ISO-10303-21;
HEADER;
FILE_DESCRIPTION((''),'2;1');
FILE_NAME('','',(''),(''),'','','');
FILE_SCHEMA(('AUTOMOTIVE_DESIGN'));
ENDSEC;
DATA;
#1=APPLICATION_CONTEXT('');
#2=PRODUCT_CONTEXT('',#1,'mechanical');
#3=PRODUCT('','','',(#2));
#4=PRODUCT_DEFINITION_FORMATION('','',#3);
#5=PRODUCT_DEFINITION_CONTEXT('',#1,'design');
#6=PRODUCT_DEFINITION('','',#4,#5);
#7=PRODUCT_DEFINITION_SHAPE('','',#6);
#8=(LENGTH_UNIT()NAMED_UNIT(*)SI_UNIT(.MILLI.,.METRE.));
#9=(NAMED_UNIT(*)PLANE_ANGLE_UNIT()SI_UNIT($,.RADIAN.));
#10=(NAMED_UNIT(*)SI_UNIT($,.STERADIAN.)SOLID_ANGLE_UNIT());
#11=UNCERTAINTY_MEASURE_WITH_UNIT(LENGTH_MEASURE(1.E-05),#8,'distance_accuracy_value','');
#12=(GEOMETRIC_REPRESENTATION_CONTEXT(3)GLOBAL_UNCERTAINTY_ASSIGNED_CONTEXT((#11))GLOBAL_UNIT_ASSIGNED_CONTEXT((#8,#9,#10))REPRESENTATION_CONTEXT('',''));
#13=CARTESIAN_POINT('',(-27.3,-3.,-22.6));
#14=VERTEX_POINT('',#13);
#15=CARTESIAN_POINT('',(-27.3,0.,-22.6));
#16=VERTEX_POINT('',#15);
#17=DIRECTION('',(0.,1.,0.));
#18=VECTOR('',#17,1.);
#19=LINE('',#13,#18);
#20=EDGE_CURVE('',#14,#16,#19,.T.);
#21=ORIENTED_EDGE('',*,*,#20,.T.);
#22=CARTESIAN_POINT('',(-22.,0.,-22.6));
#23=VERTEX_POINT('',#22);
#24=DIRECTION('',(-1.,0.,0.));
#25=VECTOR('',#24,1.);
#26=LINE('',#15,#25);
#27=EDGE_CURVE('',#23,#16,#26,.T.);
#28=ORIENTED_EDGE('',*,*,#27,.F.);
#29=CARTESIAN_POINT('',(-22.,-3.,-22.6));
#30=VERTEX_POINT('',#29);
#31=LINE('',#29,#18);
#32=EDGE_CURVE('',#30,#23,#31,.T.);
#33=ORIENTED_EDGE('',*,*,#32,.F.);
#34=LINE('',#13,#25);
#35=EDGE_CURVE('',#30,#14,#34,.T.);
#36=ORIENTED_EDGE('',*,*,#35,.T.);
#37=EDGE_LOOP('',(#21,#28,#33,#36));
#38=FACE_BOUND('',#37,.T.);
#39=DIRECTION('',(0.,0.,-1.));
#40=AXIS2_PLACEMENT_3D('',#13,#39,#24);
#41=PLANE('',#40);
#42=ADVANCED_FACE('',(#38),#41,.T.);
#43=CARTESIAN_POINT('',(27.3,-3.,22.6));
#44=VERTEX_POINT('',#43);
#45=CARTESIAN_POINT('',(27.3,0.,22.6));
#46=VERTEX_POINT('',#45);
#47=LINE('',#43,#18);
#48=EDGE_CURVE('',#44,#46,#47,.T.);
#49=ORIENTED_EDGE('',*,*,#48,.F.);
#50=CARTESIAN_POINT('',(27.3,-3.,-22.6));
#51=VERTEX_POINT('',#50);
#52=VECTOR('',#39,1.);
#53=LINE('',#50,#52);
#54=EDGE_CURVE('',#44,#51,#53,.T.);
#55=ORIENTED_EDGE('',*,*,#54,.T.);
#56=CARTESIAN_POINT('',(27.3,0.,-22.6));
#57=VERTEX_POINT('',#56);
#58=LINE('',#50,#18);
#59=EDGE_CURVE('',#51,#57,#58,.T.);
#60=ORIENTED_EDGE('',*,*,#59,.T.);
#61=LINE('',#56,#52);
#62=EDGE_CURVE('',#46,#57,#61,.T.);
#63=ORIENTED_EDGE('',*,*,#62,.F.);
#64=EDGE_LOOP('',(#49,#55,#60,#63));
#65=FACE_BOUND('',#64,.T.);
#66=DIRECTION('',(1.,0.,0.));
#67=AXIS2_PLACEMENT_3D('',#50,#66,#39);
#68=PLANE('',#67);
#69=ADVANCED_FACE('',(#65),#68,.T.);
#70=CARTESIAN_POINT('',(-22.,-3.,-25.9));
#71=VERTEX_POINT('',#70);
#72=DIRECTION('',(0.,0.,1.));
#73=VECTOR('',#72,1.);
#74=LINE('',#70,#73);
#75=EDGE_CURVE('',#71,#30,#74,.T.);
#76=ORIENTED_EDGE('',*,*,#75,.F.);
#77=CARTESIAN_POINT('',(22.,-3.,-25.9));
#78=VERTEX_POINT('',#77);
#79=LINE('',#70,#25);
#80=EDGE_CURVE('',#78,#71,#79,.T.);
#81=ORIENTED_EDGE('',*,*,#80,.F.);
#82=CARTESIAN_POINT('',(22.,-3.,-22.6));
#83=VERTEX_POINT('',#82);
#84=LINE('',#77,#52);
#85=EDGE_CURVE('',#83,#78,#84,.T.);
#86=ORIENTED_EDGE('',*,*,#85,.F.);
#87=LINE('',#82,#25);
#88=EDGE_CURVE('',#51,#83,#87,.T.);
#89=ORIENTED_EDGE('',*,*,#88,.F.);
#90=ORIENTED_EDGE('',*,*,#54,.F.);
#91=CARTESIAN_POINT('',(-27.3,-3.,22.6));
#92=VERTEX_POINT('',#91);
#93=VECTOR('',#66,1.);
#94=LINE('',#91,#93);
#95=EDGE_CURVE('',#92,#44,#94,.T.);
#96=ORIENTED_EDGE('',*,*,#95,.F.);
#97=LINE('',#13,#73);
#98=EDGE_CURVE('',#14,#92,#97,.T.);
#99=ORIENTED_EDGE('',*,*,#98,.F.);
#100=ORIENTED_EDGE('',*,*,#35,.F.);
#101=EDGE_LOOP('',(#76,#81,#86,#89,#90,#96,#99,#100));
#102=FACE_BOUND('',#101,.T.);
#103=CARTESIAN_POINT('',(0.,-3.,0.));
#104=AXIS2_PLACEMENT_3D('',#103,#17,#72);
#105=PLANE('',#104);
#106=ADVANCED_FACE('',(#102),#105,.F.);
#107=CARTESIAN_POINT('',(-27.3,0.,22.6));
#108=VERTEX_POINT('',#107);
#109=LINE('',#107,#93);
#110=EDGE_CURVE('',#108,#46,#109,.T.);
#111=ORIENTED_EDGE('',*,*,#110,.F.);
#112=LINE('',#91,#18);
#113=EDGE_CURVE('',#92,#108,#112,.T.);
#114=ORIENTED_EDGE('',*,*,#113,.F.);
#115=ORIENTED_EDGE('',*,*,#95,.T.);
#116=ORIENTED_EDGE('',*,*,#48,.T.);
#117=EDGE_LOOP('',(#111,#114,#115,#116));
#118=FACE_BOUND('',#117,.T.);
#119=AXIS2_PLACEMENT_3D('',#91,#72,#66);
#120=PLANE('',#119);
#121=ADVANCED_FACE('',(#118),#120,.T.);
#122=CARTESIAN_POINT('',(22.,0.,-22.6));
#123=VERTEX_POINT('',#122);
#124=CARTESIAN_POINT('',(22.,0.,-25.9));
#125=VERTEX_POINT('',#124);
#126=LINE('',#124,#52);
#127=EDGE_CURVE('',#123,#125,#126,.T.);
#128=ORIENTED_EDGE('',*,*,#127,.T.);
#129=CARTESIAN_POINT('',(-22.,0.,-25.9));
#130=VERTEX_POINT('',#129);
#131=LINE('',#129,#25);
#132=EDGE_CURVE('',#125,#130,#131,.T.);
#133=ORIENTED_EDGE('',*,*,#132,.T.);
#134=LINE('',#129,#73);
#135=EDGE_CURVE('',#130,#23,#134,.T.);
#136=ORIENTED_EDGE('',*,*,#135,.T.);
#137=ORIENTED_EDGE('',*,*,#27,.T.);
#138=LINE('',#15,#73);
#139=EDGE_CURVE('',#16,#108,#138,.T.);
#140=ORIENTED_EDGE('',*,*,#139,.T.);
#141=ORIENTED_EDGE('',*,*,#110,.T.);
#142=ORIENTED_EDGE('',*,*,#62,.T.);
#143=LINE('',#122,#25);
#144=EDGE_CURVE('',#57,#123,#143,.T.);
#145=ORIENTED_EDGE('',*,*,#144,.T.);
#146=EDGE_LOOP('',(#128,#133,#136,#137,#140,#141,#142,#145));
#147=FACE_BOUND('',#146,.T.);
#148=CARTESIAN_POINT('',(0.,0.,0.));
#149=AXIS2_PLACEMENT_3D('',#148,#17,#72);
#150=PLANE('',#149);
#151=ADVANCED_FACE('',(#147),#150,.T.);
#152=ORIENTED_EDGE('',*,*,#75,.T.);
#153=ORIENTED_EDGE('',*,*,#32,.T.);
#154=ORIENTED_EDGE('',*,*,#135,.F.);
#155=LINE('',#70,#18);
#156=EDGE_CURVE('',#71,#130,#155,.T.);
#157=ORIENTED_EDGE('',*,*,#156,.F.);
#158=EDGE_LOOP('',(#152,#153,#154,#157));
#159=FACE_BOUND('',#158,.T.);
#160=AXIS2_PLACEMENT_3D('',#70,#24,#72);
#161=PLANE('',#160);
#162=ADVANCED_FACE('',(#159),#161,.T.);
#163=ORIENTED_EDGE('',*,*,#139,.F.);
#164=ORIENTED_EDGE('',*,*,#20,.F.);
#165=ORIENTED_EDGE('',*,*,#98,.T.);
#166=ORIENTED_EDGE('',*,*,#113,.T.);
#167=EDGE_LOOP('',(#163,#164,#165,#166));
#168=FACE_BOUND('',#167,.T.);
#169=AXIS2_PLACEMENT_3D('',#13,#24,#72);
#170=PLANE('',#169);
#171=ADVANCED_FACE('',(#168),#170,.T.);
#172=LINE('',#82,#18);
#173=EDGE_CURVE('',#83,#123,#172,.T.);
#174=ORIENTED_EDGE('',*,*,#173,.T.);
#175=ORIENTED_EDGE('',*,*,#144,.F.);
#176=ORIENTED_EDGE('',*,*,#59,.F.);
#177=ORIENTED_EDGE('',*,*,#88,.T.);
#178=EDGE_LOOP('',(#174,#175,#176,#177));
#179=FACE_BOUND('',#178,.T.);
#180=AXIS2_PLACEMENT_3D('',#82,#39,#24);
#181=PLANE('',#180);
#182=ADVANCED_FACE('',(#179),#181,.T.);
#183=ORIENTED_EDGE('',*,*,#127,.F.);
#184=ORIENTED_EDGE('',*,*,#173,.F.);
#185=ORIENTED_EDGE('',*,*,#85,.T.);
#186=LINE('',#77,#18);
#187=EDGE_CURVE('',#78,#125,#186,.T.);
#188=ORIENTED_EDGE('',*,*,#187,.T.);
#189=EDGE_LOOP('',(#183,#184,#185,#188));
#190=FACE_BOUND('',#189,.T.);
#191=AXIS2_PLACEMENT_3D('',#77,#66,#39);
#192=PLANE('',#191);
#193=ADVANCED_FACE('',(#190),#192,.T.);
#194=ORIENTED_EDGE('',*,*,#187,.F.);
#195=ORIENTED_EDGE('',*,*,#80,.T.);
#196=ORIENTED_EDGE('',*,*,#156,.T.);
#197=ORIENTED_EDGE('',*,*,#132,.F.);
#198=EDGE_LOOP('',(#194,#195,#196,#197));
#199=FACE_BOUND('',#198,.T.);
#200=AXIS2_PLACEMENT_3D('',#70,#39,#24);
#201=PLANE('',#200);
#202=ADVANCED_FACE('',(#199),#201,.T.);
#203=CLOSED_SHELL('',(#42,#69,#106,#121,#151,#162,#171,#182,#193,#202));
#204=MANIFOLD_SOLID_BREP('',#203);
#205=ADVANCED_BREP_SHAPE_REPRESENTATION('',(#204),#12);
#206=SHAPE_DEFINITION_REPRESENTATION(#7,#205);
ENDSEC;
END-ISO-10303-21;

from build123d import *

# Parameters (mm, degrees)
BOSS_EXTRUDE1_DEPTH = 3


with BuildPart() as part:
    # Sketch2 → Boss-Extrude1 (new body)
    with BuildSketch(Plane(origin=(0, 0, 0), x_dir=(1, 0, 0), z_dir=(0, 1, 0))):
        Polygon((-27.3, 22.6), (-22, 22.6), (-22, 25.9), (22, 25.9), (22, 22.6), (27.3, 22.6), (27.3, -22.6), (-27.3, -22.6), align=None)
    extrude(amount=-BOSS_EXTRUDE1_DEPTH)


solid = part.part
